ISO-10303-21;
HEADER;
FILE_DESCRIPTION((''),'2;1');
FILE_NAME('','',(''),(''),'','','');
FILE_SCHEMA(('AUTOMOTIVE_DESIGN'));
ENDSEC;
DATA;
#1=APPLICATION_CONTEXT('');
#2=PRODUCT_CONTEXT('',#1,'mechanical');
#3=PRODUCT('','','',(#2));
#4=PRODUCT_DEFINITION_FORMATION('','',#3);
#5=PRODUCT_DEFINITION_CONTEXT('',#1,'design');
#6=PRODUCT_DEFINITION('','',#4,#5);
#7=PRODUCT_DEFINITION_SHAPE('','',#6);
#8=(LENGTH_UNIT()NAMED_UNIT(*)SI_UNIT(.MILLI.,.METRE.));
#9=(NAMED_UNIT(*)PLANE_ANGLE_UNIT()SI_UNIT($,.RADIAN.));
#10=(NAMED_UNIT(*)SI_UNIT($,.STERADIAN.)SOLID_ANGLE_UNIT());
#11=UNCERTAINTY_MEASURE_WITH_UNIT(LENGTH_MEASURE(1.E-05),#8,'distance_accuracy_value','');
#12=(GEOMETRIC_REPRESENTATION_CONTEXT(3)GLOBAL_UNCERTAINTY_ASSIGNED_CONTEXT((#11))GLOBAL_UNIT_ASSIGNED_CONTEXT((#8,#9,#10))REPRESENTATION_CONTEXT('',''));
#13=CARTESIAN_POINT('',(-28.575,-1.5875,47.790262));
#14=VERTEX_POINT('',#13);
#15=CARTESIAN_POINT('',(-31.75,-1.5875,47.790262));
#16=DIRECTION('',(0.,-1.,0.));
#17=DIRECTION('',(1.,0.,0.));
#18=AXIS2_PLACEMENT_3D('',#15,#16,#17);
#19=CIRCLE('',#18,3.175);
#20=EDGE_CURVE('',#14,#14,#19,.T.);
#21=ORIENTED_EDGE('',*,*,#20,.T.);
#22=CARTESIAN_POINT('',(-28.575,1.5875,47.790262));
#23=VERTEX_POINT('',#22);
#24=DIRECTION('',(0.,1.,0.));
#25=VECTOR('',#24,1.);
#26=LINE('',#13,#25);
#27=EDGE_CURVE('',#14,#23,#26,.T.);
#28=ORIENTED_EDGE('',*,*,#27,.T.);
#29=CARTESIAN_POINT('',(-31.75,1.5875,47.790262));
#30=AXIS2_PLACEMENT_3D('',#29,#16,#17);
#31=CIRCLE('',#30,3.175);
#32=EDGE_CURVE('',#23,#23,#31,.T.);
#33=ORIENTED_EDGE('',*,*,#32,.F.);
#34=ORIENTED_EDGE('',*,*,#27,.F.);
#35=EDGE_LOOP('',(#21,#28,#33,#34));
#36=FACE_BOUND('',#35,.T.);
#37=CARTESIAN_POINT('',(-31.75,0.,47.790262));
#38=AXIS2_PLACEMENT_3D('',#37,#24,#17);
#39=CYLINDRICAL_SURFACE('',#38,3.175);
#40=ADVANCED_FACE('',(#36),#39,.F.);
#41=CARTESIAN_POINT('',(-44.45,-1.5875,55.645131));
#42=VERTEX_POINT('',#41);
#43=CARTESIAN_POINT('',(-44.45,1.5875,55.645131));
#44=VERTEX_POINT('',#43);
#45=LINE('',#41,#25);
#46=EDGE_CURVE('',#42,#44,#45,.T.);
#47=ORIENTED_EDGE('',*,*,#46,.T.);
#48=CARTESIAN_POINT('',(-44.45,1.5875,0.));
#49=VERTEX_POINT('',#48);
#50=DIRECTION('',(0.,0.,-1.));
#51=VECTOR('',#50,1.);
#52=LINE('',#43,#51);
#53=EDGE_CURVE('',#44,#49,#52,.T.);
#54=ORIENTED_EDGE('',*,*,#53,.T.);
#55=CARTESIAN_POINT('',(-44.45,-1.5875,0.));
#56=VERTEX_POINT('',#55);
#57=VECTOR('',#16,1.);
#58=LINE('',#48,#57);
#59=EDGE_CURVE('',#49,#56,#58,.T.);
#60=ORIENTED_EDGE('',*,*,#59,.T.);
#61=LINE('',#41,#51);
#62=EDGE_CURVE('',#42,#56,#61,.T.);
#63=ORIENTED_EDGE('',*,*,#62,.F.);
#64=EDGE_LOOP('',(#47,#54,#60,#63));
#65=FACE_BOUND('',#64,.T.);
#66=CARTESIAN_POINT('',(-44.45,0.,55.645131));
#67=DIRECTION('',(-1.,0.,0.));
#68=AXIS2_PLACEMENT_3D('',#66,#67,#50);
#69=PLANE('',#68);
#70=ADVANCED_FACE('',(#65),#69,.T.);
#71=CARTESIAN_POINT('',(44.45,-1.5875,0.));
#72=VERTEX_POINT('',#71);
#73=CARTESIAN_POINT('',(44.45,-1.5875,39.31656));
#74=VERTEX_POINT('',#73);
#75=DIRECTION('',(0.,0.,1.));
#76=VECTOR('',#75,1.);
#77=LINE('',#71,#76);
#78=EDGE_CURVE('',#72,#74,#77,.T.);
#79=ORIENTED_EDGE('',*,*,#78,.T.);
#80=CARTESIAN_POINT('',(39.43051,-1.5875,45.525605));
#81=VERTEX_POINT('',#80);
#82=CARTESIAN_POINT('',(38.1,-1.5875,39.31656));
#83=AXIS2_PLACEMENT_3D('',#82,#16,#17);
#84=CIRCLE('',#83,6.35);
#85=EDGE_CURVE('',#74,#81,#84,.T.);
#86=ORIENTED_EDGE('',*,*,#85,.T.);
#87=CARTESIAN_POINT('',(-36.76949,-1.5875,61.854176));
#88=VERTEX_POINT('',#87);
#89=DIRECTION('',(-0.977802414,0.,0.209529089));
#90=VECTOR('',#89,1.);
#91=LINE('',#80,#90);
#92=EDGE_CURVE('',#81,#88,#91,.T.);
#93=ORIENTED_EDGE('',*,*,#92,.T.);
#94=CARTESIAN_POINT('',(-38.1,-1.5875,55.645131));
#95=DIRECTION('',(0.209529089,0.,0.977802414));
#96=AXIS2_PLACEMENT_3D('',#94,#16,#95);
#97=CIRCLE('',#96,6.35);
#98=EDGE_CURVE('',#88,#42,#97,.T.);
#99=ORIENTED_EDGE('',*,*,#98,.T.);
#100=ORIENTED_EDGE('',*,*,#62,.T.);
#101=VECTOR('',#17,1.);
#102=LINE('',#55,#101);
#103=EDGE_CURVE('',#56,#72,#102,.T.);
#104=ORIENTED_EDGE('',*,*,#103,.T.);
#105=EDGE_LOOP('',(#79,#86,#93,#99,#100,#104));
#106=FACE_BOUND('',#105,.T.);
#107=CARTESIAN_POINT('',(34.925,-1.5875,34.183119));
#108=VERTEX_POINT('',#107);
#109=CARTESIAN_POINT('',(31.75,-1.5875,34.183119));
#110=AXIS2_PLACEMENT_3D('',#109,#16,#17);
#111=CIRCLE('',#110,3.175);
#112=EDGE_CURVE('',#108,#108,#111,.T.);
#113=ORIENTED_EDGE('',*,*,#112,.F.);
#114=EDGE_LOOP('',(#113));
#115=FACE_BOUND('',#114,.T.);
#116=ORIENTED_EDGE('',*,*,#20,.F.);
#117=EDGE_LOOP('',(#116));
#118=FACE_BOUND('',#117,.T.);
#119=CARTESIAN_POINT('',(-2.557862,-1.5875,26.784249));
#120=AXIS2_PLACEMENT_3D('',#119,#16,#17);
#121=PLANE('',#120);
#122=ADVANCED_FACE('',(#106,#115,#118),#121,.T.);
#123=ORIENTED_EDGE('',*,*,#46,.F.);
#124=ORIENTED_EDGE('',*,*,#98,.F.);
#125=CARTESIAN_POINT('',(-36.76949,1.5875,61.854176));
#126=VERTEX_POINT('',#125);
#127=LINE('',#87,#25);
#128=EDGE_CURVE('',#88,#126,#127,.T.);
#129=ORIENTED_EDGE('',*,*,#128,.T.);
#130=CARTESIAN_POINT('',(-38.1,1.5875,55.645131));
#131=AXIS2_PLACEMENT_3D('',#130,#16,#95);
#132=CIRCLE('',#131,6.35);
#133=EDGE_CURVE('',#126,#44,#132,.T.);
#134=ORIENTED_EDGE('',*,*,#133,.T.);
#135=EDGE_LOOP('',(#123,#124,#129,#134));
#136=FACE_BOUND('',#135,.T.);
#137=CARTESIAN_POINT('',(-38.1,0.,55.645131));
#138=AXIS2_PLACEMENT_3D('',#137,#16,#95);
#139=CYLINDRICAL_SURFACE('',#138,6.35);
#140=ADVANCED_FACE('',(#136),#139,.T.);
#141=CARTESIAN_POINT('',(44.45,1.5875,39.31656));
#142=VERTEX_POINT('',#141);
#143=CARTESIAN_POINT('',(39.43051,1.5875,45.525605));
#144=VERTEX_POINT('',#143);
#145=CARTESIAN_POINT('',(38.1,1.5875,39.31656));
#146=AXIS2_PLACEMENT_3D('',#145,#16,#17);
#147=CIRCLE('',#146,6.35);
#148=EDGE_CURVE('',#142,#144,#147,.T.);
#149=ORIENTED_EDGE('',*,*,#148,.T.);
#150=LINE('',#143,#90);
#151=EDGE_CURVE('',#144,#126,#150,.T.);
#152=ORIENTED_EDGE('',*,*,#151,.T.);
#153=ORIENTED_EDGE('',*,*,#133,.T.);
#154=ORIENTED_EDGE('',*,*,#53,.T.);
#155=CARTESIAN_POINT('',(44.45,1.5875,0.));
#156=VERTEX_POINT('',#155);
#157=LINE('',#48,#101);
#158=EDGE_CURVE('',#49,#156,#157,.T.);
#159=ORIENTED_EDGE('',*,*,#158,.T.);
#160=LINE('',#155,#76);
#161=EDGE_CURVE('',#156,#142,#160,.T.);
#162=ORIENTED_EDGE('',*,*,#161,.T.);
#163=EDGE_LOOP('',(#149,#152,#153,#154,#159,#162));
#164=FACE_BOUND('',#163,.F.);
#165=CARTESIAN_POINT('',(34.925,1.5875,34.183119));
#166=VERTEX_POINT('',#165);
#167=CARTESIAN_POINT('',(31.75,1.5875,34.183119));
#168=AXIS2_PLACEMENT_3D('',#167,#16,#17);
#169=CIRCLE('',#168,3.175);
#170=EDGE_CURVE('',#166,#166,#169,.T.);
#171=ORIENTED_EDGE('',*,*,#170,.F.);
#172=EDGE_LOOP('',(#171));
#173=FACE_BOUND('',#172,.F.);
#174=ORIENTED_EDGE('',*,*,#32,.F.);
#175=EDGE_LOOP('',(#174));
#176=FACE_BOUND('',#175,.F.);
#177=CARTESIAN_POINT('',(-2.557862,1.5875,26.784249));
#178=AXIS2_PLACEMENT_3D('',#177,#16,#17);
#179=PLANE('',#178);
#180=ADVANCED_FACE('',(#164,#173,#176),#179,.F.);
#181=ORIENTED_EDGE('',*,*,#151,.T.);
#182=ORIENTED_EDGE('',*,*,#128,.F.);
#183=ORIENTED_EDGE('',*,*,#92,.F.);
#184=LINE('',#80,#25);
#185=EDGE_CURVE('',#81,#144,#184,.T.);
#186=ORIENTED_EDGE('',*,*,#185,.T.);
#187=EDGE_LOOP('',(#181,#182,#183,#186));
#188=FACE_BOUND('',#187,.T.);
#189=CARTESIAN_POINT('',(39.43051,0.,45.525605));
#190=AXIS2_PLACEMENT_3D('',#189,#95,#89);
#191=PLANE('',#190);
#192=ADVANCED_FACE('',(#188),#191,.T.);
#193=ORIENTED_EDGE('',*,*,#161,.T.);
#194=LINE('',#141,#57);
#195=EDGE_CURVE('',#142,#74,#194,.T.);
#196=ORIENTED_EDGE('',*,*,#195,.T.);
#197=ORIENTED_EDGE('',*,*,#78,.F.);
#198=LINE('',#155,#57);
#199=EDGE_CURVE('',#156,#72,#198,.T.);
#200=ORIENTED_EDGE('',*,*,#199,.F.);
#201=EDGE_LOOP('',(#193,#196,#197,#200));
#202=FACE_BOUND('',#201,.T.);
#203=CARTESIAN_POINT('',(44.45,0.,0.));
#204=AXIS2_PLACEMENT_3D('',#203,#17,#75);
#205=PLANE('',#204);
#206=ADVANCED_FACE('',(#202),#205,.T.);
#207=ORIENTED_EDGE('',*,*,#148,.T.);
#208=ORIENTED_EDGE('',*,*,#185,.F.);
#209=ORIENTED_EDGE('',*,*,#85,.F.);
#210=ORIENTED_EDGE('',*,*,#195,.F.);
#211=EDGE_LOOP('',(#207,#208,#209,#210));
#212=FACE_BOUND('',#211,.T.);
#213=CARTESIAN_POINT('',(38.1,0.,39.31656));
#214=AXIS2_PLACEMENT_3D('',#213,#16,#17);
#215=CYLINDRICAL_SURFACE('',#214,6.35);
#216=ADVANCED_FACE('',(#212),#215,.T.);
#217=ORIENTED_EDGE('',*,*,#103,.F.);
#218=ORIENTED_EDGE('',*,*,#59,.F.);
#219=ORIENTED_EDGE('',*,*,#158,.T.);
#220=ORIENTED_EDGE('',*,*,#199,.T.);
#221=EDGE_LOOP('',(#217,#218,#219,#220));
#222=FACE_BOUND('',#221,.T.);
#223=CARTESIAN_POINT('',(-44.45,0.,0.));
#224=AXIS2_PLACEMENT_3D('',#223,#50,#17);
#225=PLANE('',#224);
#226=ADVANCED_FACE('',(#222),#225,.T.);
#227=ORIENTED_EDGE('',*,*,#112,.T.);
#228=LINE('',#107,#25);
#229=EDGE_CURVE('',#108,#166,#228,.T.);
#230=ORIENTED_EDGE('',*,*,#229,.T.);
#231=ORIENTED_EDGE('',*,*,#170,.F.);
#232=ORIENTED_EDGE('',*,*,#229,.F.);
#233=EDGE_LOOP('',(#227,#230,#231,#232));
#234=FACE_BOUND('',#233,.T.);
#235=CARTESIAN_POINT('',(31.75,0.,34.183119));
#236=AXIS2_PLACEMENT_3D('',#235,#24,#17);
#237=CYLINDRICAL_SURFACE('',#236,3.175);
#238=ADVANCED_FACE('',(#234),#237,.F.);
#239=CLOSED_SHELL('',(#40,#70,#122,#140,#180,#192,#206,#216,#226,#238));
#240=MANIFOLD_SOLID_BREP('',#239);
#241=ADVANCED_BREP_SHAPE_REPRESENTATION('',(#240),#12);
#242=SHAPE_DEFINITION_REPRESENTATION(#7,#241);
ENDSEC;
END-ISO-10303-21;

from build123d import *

# Parameters (mm, degrees)
F0_R     = 3.175
F1_DEPTH = 1.5875


with BuildPart() as f1:
    # F0 (on Front) → F1 (new body, symmetric)
    with BuildSketch(Plane.XZ):
        with BuildLine():
            Line((-44.45, 55.6451311606), (-44.45, 0))
            Line((-44.45, 0), (44.45, 0))
            Line((44.45, 0), (44.45, 39.316559732))
            ThreePointArc((44.45, 39.316559732), (43.0381796586, 43.308662143), (39.4305097134, 45.5256050614))
            Line((39.4305097134, 45.5256050614), (-36.7694902866, 61.85417649))
            ThreePointArc((-36.7694902866, 61.85417649), (-42.092102411, 60.5833108191), (-44.45, 55.6451311606))
        make_face()
        with Locations((-31.75, 47.7902623212)):
            Circle(F0_R, mode=Mode.SUBTRACT)
        with Locations((31.75, 34.183119464)):
            Circle(F0_R, mode=Mode.SUBTRACT)
    extrude(amount=F1_DEPTH, both=True)


solid = f1.part
